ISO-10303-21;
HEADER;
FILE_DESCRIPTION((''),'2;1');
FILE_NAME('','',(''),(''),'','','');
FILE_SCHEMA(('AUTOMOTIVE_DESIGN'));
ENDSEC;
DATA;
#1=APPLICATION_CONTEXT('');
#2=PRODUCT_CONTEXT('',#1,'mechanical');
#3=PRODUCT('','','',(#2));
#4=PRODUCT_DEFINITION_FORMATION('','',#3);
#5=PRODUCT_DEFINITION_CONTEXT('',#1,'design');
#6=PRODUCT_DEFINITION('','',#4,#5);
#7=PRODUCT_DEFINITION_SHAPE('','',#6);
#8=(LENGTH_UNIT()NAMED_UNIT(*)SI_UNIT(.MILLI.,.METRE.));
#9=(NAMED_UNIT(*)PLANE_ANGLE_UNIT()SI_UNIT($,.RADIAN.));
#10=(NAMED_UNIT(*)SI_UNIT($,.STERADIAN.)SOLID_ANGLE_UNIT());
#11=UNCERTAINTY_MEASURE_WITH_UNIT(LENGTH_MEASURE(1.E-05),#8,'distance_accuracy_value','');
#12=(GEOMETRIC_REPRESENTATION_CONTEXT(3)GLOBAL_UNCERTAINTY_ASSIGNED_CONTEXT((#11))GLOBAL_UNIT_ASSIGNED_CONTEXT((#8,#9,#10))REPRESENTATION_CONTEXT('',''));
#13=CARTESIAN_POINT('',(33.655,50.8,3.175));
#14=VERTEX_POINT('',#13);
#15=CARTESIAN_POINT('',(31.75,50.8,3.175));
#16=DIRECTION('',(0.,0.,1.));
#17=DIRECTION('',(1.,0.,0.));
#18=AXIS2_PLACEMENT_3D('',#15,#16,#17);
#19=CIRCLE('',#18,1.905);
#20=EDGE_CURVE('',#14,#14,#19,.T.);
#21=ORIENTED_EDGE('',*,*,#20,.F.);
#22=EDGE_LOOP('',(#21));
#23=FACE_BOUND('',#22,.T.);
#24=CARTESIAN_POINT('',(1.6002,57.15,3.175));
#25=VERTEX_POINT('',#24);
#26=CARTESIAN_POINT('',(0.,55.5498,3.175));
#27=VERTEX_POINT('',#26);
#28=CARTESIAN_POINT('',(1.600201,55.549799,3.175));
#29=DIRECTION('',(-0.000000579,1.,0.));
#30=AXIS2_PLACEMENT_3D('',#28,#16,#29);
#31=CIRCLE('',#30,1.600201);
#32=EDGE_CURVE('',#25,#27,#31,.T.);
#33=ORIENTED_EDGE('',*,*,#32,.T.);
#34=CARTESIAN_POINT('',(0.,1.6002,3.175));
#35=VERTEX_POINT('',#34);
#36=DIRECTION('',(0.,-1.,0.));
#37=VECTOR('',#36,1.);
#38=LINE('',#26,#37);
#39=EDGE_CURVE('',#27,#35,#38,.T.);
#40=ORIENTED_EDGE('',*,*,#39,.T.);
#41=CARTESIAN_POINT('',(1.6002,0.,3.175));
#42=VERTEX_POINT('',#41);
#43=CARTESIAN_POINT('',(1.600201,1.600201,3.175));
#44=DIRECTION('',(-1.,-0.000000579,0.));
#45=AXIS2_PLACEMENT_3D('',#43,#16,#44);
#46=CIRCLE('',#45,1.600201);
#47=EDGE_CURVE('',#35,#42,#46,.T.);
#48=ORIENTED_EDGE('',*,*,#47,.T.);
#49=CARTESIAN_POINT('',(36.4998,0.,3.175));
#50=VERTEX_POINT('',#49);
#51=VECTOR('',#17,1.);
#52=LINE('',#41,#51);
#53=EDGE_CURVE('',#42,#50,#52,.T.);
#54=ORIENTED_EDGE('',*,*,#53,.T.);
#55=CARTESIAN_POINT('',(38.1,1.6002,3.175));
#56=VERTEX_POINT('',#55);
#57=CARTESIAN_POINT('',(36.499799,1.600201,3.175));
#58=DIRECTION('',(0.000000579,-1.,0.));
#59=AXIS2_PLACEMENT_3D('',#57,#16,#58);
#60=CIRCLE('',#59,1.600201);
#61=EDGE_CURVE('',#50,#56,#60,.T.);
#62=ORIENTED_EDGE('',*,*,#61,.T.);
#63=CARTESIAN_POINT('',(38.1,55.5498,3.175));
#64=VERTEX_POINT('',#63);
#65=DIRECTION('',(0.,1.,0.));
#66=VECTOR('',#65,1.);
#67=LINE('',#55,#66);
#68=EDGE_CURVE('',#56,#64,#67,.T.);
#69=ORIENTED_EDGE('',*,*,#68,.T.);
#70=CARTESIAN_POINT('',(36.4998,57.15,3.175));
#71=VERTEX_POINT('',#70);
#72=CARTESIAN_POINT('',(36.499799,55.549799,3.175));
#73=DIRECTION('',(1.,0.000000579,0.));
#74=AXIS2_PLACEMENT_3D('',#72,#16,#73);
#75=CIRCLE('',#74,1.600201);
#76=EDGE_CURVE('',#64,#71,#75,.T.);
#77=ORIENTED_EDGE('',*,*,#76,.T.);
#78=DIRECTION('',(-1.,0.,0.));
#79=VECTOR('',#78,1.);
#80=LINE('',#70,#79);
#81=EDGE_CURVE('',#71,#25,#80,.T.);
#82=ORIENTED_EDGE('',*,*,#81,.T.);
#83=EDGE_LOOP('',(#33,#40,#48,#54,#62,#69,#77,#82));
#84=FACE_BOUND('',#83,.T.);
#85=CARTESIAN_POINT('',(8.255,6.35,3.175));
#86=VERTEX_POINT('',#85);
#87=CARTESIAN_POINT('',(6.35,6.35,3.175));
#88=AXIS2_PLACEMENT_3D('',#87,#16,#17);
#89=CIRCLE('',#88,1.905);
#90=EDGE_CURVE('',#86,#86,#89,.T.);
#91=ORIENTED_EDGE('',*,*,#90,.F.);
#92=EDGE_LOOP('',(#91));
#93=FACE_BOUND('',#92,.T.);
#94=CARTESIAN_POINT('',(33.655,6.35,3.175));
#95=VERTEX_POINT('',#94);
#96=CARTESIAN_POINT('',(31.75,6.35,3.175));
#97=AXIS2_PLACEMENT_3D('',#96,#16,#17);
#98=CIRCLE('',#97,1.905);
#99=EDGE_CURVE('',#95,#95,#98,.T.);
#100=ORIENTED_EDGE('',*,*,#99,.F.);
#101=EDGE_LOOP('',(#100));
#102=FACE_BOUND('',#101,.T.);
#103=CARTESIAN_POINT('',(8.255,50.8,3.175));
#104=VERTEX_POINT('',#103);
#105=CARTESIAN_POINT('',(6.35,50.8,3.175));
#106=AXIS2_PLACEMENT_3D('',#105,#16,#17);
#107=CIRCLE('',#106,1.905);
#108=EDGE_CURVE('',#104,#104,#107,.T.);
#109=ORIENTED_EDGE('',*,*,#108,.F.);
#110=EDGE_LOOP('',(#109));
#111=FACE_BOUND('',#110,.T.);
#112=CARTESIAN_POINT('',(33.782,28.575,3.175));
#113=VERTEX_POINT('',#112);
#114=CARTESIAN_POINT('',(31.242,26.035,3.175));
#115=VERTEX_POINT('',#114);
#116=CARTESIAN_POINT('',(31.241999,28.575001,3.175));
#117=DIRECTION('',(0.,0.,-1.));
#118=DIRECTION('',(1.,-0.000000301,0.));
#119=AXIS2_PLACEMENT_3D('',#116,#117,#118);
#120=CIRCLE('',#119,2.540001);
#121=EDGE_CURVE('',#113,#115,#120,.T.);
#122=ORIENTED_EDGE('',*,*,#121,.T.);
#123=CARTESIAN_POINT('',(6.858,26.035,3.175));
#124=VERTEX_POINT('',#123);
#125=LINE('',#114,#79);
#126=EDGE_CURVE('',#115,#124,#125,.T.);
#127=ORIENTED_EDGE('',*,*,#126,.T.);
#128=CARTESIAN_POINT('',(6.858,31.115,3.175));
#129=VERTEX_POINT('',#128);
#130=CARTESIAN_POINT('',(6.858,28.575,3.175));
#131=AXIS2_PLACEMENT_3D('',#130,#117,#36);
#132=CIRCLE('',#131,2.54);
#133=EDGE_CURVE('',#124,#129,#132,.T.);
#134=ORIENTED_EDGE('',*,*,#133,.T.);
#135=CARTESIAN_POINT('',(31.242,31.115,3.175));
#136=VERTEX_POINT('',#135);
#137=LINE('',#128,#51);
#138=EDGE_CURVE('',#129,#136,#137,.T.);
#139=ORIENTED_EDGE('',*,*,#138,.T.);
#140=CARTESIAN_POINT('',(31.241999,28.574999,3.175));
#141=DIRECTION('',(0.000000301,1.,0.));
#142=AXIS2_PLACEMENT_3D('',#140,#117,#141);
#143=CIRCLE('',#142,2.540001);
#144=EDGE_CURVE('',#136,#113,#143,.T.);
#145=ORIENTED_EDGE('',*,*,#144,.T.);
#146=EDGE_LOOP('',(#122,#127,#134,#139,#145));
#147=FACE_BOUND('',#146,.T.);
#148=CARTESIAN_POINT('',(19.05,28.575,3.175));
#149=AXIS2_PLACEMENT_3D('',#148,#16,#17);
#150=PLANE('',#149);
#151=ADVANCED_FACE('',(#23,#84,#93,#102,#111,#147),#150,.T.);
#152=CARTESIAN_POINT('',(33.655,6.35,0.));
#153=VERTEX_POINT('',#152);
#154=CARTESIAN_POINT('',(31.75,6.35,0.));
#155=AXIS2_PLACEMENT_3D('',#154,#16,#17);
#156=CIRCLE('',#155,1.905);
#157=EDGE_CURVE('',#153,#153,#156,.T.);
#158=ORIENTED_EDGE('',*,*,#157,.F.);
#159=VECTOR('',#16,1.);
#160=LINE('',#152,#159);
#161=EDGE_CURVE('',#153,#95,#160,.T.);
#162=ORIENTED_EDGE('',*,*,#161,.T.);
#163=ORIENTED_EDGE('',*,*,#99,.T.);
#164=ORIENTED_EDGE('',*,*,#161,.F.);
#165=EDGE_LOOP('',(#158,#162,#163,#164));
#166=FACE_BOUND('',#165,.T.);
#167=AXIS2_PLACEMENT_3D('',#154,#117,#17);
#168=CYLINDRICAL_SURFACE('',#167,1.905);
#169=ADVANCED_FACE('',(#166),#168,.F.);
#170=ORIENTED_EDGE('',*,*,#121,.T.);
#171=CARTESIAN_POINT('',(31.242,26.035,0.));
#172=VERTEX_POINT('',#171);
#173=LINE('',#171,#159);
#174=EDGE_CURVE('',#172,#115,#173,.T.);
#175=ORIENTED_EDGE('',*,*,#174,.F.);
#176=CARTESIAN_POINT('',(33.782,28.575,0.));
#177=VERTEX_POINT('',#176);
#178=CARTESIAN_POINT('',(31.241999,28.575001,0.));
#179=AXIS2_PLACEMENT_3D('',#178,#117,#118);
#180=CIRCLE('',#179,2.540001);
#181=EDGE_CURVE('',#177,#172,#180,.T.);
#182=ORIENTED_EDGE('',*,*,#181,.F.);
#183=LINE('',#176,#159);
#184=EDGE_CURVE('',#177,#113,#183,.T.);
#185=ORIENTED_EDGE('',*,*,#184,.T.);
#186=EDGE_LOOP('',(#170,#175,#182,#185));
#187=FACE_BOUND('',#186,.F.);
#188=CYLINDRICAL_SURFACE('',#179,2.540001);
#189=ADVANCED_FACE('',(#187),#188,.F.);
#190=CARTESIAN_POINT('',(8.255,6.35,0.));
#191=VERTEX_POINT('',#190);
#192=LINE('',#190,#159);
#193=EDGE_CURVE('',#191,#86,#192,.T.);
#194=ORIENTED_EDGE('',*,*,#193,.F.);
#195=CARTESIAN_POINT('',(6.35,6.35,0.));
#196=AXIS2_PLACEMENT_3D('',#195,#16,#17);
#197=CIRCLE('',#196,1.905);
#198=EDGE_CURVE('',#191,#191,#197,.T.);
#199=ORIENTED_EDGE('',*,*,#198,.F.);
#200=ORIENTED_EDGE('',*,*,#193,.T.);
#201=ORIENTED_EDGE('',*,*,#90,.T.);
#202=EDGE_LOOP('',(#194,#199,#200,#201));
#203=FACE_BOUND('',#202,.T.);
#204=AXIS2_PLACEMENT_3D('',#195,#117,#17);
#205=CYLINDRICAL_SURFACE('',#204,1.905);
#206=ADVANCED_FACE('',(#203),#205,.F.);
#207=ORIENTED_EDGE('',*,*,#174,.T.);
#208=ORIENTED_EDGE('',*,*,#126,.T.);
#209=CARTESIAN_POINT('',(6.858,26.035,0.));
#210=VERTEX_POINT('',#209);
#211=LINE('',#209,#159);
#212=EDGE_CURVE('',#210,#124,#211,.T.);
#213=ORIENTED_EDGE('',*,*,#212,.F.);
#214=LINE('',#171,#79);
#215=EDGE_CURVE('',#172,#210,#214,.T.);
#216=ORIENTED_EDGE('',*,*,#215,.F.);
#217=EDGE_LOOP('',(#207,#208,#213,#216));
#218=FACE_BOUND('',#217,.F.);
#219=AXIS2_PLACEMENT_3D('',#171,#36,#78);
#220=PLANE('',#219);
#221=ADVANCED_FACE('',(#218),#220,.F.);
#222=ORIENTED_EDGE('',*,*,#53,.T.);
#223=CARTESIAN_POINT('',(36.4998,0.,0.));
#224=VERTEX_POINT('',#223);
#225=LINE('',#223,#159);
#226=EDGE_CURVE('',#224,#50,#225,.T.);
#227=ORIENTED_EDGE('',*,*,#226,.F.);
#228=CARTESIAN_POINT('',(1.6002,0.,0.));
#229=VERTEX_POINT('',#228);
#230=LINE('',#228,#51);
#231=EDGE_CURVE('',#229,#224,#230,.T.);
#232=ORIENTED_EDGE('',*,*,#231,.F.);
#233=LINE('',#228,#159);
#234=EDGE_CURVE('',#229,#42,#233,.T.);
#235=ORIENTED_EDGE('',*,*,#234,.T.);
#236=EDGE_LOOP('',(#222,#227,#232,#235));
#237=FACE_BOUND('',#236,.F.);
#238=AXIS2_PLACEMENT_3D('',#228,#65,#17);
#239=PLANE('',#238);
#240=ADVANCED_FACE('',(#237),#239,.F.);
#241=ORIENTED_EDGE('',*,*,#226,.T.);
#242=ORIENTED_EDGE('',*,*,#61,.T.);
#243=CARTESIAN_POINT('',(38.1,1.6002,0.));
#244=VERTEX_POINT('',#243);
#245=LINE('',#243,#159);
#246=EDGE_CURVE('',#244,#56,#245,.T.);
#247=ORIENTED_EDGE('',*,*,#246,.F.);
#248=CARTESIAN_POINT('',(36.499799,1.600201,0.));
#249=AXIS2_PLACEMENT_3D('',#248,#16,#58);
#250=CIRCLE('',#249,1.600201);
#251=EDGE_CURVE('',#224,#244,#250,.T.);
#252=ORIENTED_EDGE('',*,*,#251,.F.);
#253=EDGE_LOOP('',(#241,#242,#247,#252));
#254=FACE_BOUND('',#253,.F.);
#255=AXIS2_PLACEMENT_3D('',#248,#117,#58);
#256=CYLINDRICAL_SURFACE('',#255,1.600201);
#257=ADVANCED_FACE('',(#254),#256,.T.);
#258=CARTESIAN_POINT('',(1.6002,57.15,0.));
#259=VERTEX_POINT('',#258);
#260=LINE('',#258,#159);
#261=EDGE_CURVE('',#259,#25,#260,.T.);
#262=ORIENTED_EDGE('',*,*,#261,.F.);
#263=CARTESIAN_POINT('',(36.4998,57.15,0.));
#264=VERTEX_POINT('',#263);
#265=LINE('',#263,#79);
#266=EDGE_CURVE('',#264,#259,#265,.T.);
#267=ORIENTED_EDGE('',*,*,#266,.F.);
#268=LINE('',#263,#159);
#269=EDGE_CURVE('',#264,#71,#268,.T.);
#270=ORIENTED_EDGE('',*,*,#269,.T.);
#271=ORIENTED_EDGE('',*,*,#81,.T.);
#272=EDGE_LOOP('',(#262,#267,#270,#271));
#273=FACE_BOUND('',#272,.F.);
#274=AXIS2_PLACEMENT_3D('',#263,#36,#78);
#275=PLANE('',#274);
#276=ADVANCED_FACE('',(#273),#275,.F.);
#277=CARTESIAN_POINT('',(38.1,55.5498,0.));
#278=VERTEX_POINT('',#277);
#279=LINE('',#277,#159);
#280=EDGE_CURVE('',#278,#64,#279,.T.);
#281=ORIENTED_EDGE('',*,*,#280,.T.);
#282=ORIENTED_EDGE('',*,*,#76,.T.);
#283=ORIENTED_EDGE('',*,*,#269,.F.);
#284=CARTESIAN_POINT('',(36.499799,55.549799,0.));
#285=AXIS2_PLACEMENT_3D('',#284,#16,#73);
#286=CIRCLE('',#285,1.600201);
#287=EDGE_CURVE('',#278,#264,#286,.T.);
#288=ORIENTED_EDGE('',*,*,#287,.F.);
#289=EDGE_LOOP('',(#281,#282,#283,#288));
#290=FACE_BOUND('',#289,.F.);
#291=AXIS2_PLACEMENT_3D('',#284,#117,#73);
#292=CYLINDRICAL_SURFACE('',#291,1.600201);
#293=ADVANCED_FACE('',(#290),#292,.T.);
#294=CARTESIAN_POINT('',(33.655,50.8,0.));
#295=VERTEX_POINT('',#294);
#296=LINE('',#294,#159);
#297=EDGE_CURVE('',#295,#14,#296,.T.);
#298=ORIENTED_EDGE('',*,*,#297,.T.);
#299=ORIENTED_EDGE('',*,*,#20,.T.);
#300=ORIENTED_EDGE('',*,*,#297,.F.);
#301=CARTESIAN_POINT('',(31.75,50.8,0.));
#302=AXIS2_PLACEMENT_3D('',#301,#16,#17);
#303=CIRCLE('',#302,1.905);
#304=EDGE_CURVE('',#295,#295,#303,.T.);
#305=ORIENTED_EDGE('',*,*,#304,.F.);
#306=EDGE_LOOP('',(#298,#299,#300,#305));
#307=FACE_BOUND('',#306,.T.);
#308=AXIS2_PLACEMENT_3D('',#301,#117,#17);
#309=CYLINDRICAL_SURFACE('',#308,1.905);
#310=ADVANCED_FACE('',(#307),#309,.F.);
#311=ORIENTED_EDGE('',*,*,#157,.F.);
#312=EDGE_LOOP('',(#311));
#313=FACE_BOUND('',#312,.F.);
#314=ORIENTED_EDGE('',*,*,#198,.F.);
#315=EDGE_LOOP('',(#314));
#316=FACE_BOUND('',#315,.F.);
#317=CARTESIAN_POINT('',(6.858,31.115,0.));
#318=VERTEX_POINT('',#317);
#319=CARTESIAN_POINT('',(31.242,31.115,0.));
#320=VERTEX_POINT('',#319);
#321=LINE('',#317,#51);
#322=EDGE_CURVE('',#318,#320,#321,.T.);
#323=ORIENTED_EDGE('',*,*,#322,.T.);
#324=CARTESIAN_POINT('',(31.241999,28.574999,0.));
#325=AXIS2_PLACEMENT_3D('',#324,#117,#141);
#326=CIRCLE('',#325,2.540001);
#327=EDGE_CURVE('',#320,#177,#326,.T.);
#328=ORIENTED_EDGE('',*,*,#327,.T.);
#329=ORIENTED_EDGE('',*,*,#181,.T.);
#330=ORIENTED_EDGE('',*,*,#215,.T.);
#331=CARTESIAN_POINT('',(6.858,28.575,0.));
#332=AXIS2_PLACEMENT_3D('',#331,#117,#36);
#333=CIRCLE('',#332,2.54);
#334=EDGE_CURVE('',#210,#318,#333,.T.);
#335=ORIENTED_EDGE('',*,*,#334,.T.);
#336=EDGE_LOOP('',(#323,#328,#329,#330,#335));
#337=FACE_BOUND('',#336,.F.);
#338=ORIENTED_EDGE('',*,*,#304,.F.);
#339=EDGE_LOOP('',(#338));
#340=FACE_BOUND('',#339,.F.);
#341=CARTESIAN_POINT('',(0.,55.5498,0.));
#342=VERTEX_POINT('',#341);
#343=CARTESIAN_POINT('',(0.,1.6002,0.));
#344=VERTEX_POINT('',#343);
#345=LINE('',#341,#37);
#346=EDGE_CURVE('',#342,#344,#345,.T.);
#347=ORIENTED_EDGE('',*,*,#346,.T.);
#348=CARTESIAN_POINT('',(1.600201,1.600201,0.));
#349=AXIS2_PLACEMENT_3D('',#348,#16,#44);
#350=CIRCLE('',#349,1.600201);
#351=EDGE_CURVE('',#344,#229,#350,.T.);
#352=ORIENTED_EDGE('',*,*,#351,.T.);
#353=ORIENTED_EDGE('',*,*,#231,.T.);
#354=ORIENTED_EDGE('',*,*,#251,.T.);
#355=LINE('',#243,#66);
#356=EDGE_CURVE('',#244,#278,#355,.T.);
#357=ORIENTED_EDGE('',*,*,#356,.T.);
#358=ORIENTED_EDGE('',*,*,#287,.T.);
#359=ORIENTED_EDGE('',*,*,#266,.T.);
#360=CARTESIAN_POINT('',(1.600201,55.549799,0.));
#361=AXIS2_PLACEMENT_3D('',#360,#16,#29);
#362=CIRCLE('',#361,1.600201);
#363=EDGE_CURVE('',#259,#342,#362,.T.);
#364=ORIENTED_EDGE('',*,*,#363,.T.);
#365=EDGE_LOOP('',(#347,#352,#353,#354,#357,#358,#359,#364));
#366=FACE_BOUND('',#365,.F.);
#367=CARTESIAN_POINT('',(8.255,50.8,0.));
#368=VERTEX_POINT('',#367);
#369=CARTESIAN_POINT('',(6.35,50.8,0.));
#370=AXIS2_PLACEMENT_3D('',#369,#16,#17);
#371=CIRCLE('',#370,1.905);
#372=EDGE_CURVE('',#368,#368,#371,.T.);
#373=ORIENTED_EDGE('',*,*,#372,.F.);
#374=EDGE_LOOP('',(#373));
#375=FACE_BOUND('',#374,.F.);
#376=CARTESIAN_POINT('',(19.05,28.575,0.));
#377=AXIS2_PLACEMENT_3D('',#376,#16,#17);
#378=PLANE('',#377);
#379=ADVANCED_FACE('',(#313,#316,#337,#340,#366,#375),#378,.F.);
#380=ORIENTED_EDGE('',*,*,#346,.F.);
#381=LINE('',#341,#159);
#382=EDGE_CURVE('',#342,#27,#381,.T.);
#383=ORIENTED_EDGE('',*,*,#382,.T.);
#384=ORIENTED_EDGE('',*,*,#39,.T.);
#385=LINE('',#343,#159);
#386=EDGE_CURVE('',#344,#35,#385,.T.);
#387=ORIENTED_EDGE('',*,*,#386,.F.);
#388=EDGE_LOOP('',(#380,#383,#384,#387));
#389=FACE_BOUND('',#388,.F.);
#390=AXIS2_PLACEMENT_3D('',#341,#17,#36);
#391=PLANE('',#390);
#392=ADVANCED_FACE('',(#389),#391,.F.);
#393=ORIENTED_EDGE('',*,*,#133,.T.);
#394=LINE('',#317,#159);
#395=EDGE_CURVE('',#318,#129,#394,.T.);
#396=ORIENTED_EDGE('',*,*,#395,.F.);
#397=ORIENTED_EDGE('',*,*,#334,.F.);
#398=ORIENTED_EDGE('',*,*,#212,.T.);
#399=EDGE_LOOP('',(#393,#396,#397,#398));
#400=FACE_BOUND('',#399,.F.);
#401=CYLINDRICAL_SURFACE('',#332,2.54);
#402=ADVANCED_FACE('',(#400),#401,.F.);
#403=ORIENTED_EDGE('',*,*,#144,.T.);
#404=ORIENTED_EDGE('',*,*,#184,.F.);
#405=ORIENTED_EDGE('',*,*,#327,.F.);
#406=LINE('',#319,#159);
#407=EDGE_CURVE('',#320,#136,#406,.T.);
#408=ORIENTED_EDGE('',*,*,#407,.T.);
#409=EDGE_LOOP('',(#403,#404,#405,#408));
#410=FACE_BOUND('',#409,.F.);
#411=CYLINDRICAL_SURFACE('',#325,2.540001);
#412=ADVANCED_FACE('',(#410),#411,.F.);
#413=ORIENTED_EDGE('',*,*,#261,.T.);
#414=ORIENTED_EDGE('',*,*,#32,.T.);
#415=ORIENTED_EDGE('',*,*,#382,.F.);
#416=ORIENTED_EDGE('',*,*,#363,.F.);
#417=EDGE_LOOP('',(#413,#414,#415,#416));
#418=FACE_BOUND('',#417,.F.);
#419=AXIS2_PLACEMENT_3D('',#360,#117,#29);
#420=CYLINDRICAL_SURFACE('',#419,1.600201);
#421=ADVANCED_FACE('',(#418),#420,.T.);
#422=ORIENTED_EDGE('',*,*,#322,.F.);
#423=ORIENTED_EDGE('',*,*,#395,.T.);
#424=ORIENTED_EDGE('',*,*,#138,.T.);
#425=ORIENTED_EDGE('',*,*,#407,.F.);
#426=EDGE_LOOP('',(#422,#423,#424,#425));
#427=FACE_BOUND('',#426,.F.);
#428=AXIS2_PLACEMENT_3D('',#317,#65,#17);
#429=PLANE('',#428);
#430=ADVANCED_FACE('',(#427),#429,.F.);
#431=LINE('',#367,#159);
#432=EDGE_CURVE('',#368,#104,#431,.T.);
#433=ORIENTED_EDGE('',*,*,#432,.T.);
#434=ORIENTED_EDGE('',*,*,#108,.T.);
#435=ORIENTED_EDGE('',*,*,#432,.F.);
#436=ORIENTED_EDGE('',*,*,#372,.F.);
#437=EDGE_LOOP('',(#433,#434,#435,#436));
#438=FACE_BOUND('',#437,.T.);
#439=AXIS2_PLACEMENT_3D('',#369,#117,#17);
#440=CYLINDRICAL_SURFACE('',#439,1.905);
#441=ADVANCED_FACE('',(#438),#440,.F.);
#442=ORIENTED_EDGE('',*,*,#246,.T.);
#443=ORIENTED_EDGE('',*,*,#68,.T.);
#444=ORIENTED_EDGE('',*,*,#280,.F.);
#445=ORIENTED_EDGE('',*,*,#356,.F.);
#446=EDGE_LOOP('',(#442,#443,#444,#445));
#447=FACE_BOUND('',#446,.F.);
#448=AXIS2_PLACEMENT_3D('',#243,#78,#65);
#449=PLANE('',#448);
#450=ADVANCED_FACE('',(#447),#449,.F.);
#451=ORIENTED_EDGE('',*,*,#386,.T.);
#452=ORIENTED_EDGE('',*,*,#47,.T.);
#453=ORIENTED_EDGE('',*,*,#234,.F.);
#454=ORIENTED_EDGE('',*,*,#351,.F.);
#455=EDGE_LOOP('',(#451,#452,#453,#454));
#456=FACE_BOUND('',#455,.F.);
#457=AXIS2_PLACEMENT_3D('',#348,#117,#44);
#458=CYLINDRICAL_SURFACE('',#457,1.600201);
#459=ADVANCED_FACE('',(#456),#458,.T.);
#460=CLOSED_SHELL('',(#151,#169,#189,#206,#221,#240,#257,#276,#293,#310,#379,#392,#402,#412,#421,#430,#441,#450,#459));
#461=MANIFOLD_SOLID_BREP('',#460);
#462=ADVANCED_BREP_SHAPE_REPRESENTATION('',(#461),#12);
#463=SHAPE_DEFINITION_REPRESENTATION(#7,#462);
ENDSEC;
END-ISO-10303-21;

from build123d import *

# Parameters (mm, degrees)
F0_R     = 1.905
F1_DEPTH = 3.175


with BuildPart() as f1:
    # F0 (on Top) → F1 (new body)
    with BuildSketch(Plane.XY):
        with BuildLine():
            ThreePointArc((0, 1.6002), (0.468688, 0.468688), (1.6002, 0))
            Line((1.6002, 0), (36.4998, 0))
            ThreePointArc((36.4998, 0), (37.631312, 0.468688), (38.1, 1.6002))
            Line((38.1, 1.6002), (38.1, 55.5498))
            ThreePointArc((38.1, 55.5498), (37.631312, 56.681312), (36.4998, 57.15))
            Line((36.4998, 57.15), (1.6002, 57.15))
            ThreePointArc((1.6002, 57.15), (0.468688, 56.681312), (0, 55.5498))
            Line((0, 55.5498), (0, 1.6002))
        make_face()
        with Locations((6.35, 6.35)):
            Circle(F0_R, mode=Mode.SUBTRACT)
        with Locations((31.75, 6.35)):
            Circle(F0_R, mode=Mode.SUBTRACT)
        with Locations((6.35, 50.8)):
            Circle(F0_R, mode=Mode.SUBTRACT)
        with BuildLine():
            ThreePointArc((6.858, 26.035), (4.318, 28.575), (6.858, 31.115))
            Line((6.858, 31.115), (31.242, 31.115))
            ThreePointArc((31.242, 31.115), (33.038051, 30.371051), (33.782, 28.575))
            ThreePointArc((33.782, 28.575), (33.038051, 26.778949), (31.242, 26.035))
            Line((31.242, 26.035), (6.858, 26.035))
        make_face(mode=Mode.SUBTRACT)
        with Locations((31.75, 50.8)):
            Circle(F0_R, mode=Mode.SUBTRACT)
    extrude(amount=F1_DEPTH)


solid = f1.part
